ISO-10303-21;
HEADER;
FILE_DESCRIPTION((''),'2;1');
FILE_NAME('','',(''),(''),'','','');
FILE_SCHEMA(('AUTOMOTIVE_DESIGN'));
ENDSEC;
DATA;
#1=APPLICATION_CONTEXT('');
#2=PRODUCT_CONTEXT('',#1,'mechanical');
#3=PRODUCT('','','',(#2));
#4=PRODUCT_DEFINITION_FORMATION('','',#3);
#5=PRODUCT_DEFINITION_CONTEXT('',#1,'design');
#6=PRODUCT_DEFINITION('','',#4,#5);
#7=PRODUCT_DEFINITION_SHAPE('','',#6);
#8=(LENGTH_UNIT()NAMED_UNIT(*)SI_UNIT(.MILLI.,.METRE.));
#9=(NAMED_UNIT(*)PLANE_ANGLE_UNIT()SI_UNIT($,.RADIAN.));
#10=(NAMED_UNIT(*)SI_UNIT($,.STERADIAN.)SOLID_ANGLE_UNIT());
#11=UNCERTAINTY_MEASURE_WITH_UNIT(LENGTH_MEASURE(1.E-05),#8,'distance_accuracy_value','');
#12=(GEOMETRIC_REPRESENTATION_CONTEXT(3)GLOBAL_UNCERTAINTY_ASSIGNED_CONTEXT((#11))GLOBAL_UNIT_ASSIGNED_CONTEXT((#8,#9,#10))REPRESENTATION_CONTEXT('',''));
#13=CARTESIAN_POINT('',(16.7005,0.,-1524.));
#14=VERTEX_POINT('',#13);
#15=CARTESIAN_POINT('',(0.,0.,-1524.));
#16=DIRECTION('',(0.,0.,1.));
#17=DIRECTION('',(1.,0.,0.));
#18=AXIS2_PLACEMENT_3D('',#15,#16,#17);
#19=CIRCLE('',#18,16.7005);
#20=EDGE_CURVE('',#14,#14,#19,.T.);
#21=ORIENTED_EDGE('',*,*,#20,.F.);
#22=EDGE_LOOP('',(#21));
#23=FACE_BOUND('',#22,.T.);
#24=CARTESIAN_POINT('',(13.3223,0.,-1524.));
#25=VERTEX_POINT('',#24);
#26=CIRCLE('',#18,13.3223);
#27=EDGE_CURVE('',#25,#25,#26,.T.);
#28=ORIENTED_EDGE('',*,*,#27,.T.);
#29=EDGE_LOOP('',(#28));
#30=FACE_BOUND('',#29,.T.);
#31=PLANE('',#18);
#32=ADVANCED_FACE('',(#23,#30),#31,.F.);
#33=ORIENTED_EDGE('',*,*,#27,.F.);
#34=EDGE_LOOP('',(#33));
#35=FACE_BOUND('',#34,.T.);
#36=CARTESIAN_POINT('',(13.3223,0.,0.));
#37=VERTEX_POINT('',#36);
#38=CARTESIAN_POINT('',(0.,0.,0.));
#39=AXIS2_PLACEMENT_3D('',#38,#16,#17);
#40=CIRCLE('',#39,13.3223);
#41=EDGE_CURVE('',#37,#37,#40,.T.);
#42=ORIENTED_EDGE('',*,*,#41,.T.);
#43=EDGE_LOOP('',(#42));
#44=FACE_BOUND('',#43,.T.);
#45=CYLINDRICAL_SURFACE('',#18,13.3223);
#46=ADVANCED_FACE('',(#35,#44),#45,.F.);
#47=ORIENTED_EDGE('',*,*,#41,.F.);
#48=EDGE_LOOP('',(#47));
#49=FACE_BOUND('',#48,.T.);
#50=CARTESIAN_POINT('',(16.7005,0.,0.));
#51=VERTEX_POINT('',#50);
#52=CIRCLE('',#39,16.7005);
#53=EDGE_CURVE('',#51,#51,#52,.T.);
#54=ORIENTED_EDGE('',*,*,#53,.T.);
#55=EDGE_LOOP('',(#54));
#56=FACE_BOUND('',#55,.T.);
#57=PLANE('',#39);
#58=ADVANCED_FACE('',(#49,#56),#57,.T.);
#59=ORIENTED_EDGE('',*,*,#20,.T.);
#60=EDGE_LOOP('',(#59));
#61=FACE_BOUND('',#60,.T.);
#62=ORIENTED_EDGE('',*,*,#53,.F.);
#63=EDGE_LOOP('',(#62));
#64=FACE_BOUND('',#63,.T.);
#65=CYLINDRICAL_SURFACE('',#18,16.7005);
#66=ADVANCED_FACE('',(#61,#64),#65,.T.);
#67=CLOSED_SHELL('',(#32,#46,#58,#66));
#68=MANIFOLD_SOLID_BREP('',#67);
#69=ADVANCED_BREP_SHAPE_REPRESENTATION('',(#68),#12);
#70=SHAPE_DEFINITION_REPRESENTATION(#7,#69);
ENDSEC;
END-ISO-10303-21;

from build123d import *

# Parameters (mm, degrees)
SKETCH1_R           = 16.7005
SKETCH1_R_2         = 13.3223
BOSS_EXTRUDE1_DEPTH = 1524


with BuildPart() as part:
    # Sketch1 → Boss-Extrude1 (new body)
    with BuildSketch(Plane.XY):
        Circle(SKETCH1_R)
        Circle(SKETCH1_R_2, mode=Mode.SUBTRACT)
    extrude(amount=-BOSS_EXTRUDE1_DEPTH)


solid = part.part
